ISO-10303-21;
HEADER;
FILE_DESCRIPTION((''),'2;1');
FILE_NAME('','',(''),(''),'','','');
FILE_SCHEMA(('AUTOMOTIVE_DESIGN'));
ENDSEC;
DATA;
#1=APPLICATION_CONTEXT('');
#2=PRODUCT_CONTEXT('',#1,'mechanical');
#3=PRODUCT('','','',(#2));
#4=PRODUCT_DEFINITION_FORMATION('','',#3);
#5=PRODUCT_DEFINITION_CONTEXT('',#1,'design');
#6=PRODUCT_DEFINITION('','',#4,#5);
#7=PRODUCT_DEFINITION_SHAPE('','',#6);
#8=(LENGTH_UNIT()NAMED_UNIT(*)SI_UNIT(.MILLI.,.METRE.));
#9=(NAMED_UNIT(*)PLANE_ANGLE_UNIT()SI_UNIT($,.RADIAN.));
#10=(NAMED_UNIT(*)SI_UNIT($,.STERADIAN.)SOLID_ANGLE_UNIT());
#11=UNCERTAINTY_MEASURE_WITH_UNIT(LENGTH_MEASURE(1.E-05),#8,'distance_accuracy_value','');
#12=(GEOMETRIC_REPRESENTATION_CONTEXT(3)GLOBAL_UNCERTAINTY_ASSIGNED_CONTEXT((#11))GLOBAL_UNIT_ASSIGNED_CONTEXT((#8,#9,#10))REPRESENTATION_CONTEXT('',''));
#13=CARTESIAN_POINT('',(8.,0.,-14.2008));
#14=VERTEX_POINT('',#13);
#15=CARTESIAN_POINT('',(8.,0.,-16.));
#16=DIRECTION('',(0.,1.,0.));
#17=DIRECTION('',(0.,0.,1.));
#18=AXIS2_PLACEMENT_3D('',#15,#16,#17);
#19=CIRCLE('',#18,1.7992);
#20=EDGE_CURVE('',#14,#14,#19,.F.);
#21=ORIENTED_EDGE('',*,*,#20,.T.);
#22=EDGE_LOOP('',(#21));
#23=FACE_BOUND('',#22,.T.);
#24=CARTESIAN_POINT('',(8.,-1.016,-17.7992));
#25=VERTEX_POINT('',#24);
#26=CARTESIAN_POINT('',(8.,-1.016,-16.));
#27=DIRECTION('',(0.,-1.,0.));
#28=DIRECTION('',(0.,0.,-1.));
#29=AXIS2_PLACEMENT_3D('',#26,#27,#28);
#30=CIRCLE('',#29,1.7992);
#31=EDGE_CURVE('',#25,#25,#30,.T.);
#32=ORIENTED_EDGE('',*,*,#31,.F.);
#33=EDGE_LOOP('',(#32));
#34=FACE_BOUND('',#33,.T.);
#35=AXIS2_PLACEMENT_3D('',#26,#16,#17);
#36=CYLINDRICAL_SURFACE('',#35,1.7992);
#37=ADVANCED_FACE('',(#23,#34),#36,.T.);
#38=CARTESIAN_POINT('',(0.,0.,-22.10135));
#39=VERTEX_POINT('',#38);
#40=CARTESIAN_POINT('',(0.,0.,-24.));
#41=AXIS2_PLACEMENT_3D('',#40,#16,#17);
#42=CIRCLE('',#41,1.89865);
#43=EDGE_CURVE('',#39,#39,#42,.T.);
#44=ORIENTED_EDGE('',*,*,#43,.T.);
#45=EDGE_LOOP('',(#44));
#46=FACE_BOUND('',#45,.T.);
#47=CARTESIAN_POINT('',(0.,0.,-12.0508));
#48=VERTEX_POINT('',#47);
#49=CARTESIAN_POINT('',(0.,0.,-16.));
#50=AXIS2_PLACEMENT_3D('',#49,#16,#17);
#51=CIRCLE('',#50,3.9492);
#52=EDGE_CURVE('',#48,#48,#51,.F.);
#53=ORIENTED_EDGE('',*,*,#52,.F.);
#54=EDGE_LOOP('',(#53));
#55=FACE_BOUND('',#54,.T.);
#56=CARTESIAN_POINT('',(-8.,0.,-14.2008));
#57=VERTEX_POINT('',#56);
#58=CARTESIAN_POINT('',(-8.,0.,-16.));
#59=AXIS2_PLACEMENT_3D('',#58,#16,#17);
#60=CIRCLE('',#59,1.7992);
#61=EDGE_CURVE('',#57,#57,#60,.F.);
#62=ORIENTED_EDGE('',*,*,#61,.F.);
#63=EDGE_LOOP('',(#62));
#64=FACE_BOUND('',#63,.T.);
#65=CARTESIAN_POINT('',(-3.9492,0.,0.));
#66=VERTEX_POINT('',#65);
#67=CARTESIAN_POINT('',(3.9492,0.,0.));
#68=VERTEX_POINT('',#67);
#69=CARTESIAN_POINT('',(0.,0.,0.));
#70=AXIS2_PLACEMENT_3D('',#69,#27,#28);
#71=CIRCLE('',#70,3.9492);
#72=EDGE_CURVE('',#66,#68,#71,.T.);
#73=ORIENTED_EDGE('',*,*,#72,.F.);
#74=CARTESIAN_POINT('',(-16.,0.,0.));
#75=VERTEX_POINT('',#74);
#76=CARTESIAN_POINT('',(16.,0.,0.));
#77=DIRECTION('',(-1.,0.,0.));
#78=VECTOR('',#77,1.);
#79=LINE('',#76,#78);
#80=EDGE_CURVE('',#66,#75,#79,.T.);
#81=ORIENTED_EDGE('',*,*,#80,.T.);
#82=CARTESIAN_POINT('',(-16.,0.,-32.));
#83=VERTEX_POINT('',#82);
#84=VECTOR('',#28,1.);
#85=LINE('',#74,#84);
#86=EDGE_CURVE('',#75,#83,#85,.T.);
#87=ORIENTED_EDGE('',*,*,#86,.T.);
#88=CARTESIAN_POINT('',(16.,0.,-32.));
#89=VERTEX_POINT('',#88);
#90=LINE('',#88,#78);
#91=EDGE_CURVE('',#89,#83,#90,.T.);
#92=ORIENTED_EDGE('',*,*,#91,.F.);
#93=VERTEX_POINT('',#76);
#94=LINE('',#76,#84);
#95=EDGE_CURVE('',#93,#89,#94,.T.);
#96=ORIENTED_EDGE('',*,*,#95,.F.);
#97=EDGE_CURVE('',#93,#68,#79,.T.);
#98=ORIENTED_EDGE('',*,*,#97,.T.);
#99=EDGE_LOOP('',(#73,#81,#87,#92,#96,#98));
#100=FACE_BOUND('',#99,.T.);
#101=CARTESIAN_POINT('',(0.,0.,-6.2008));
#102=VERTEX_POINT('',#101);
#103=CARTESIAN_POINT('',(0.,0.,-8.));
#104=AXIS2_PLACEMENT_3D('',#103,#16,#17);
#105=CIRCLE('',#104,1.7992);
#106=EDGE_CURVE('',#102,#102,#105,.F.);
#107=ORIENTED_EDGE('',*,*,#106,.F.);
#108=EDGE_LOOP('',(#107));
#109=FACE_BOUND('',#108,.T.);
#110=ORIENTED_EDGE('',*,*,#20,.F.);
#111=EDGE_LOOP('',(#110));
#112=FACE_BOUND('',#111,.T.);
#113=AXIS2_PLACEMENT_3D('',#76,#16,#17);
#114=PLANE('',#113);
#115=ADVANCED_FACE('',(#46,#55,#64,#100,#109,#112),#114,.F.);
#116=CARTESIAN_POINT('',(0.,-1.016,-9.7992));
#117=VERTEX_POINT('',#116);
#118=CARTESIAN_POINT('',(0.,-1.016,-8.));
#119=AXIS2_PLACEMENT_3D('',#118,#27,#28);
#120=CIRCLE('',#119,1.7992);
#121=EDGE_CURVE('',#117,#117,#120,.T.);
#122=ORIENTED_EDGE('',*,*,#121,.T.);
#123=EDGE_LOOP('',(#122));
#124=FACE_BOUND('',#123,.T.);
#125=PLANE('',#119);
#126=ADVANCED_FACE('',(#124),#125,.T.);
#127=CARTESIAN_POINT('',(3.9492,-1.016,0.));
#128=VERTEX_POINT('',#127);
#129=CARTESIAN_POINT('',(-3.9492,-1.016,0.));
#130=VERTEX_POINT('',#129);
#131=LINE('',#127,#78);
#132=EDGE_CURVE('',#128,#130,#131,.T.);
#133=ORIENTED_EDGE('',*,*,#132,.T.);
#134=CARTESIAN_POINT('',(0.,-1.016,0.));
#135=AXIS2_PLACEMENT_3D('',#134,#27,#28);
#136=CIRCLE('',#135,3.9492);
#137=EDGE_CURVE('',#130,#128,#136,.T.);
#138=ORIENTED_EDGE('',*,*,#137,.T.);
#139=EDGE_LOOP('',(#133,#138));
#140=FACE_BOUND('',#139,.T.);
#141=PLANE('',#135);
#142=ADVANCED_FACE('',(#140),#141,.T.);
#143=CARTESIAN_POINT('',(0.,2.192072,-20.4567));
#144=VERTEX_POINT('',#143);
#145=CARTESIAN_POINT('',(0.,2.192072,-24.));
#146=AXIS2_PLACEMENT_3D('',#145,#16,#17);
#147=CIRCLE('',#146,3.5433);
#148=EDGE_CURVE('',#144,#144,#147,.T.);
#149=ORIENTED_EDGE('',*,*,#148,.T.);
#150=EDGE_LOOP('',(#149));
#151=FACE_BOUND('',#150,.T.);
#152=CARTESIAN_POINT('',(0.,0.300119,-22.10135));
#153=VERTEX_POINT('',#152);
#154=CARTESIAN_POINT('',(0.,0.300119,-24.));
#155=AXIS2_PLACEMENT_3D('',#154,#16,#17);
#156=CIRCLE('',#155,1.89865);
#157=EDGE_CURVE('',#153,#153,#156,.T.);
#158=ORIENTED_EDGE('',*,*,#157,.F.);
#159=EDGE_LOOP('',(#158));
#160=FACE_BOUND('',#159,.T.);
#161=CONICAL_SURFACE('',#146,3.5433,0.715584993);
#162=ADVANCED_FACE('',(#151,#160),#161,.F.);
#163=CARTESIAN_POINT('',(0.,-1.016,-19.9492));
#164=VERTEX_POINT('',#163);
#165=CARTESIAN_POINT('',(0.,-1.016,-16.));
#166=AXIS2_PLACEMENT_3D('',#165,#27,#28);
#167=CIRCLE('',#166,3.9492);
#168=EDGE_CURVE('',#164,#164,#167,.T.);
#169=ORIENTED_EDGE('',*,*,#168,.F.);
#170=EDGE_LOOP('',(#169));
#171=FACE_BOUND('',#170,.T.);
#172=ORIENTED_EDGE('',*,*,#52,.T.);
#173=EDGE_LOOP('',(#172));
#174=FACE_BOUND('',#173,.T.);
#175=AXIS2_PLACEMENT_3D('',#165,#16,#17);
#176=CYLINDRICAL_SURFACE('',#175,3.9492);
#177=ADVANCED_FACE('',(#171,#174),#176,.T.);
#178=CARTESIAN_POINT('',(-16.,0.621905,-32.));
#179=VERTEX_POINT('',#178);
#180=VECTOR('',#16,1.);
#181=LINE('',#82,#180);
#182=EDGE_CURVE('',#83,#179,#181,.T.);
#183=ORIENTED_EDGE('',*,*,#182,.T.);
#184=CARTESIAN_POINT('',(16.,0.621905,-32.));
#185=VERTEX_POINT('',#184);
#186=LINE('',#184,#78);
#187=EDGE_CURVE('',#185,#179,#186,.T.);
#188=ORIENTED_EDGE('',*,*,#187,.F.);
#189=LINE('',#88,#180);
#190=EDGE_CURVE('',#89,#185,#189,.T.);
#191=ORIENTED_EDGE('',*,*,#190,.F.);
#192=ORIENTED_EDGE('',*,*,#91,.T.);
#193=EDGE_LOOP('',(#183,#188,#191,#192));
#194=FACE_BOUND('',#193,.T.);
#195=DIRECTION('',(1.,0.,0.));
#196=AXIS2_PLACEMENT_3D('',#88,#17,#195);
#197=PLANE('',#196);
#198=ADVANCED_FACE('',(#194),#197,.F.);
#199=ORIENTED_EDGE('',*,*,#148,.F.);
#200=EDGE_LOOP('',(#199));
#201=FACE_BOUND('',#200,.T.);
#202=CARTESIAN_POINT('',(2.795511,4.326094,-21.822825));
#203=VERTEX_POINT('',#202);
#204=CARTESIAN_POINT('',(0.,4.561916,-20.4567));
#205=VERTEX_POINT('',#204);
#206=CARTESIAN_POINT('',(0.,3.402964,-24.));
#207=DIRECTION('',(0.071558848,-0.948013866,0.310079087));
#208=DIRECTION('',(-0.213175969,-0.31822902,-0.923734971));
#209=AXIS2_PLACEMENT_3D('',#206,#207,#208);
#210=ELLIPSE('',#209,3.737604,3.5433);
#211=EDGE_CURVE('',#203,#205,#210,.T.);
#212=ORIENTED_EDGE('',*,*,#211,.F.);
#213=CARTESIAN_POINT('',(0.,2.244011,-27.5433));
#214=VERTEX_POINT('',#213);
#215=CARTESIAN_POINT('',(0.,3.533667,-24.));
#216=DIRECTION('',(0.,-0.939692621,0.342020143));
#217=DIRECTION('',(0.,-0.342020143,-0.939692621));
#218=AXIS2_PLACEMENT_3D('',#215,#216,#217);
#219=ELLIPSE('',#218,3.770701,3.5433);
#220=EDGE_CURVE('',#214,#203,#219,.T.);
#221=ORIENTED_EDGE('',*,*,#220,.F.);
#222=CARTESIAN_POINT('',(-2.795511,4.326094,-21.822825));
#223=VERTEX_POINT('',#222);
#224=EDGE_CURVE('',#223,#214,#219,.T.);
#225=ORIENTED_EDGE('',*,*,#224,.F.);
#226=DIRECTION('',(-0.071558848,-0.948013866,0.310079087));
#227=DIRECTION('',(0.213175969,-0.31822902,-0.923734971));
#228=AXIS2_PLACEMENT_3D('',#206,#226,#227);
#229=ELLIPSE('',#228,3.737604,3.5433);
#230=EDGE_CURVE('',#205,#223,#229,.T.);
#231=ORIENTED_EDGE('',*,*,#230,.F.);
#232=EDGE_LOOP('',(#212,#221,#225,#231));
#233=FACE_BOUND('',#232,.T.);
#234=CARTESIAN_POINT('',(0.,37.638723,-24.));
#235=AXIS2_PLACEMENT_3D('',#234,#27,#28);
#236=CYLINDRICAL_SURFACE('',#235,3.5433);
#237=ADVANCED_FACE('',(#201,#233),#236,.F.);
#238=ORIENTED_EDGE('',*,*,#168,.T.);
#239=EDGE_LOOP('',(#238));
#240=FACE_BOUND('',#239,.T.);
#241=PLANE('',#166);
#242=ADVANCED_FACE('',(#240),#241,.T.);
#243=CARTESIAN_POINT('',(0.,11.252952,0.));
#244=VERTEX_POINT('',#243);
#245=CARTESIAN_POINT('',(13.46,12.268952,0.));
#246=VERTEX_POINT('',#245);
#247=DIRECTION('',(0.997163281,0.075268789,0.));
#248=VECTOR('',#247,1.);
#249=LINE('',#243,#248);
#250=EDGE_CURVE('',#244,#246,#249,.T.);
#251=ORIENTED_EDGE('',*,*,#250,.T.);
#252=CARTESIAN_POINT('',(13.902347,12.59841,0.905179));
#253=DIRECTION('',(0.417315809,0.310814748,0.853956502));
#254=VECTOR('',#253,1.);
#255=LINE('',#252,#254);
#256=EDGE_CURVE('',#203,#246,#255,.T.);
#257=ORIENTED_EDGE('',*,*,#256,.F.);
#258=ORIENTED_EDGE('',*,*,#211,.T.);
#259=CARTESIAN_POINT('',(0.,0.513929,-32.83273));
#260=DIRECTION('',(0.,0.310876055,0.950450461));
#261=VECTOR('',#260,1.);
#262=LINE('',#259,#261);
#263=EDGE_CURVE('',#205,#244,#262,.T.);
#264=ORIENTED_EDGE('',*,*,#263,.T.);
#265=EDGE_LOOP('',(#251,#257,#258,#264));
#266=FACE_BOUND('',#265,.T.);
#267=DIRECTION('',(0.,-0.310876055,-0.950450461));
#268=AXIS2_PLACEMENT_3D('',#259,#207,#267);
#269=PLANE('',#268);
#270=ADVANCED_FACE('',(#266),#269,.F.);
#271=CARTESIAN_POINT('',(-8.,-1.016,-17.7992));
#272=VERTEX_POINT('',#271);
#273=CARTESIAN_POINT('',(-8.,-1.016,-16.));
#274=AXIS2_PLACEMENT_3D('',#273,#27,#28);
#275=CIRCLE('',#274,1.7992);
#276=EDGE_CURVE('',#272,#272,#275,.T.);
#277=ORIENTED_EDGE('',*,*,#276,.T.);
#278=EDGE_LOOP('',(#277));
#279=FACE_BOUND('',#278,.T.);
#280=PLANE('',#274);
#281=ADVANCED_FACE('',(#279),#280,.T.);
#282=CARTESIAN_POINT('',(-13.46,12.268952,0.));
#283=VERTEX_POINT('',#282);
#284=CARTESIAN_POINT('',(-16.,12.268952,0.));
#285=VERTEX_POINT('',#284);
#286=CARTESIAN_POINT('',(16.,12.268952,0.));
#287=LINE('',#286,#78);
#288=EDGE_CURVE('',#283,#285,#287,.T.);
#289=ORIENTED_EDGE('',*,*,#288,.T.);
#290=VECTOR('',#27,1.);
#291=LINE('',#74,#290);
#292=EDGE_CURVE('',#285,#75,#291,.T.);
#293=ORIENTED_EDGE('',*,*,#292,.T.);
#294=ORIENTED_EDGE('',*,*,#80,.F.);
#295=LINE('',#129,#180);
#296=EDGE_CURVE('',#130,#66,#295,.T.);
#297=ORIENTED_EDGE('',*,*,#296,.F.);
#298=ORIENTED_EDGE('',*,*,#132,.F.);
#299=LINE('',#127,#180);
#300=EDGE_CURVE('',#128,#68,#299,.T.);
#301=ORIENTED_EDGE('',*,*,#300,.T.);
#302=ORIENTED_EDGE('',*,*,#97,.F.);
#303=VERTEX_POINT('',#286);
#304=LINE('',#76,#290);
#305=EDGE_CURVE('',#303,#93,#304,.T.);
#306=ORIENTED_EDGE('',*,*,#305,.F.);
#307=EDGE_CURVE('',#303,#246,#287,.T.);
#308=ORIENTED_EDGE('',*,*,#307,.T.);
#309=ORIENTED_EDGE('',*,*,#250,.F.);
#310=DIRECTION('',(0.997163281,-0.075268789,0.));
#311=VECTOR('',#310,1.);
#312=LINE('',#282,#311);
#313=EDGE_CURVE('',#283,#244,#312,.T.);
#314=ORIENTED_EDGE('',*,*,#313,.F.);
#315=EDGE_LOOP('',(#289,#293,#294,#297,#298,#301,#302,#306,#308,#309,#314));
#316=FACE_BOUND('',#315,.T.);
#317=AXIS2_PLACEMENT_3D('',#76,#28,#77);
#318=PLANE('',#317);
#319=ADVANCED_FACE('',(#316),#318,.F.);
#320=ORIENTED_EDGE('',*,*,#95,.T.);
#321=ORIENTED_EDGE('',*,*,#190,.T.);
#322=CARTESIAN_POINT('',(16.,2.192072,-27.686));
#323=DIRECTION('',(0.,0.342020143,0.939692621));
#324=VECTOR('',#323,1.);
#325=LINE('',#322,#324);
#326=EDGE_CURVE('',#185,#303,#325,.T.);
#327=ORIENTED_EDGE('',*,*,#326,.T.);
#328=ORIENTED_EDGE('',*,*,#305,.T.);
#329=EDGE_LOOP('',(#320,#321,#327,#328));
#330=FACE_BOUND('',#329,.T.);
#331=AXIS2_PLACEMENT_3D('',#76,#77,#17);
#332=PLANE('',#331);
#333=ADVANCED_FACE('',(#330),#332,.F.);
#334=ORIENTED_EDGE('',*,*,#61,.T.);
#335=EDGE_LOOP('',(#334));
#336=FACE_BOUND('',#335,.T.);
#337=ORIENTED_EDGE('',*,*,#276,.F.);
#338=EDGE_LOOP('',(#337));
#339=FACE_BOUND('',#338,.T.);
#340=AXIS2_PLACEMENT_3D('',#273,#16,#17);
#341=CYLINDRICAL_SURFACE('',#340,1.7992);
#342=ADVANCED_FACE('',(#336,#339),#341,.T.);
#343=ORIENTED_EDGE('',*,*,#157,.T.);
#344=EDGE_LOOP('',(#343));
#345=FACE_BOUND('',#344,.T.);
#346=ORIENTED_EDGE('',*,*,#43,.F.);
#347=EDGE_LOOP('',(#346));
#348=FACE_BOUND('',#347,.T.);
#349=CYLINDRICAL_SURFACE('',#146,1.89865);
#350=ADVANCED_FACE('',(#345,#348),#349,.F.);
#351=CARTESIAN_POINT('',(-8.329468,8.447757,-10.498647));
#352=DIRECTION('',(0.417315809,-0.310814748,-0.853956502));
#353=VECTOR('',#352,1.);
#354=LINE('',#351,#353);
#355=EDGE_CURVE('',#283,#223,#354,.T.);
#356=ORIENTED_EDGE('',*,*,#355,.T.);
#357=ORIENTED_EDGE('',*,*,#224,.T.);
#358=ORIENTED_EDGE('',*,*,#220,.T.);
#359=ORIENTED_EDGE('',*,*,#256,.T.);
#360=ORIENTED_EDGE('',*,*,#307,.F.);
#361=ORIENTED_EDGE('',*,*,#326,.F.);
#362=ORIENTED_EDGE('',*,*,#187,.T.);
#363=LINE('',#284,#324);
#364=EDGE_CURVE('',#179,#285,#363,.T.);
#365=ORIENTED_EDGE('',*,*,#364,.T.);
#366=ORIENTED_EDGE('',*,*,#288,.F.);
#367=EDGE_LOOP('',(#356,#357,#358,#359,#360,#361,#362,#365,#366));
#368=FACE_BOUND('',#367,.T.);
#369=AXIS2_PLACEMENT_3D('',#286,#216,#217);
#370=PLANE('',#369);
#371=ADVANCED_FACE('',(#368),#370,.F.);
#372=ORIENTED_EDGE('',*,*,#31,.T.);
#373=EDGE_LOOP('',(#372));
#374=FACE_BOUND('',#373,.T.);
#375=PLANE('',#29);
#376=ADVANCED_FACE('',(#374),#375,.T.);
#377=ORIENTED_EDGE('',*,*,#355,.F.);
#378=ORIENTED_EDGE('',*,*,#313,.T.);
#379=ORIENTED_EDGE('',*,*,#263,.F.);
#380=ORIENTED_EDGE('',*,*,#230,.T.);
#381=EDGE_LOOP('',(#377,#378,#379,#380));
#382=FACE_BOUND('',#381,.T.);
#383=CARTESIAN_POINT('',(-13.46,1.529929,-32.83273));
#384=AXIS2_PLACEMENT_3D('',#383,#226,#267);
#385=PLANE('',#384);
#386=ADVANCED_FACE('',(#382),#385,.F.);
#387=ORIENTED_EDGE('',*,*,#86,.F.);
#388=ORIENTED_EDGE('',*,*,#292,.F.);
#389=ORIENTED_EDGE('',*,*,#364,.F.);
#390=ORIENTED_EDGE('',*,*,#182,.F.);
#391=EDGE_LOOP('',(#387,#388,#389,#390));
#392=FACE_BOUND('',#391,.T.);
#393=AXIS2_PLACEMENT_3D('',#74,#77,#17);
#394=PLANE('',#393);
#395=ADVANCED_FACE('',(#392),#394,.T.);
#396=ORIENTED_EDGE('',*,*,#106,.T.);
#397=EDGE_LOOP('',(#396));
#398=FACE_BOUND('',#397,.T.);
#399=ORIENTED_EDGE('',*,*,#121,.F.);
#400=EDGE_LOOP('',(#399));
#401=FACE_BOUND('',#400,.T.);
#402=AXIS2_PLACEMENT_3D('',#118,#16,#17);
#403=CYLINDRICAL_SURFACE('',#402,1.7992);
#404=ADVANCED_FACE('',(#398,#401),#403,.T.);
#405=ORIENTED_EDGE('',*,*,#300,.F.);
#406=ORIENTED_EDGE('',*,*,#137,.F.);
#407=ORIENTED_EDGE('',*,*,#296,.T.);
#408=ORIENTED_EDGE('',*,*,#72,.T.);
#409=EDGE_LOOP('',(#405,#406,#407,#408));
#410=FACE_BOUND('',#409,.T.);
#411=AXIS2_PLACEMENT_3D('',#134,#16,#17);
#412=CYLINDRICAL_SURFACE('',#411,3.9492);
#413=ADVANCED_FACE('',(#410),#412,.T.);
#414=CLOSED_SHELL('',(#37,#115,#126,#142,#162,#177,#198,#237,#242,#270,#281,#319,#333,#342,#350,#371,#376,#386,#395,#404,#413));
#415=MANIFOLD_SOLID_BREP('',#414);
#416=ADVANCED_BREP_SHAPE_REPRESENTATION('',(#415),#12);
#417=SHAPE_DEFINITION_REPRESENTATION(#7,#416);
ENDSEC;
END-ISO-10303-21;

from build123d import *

# Parameters (mm, degrees)
BOSS_EXTRUDE1_DEPTH = 16
BOSS_EXTRUDE2_REACH = 39.169
SKETCH6_W           = 32
SKETCH6_H           = 7.878
SKETCH6_R           = 3.5433
SKETCH7_R           = 1.7992
SKETCH7_R_2         = 3.9492
BOSS_EXTRUDE3_DEPTH = 1.016
CUT_EXTRUDE1_DEPTH  = 40.8462222


with BuildPart() as part:
    # Sketch1 → Boss-Extrude1 (new, symmetric)
    with BuildSketch(Plane(origin=(0, 0, 0), x_dir=(0, 0, -1), z_dir=(1, 0, 0))):
        Polygon((19.808, 5.059429759), (19.808, 2.192072254), (27.686, 2.192072254), (32, 0.621904663), (32, 0), (0, 0), (0, 12.26895216), align=None)
    extrude(amount=BOSS_EXTRUDE1_DEPTH, both=True)

    # Sketch5 → CSK for #6 Flat Head Machine Screw1 (revolve, cut)
    with BuildSketch(Plane(origin=(0, 2.192072254, -24), x_dir=(0, 0, 1), z_dir=(1, 0, 0))):
        Polygon((0, 0), (0, 2.192072254), (1.89865, 2.192072254), (1.89865, 1.891953401), (3.5433, 0), align=None)
    revolve(axis=Axis((0, 8.542072254, -24), (0, -1, 0)), mode=Mode.SUBTRACT)

    # Boss-Extrude2: up to this face of the body (flat: up to its plane)
    boss_extrude2_end = Plane(part.part.faces().sort_by_distance((0, 8.664190959, -9.904))[0])
    # Sketch6 → Boss-Extrude2 (add, up to the picked face)
    with BuildSketch(Plane(origin=(0, 2.192072254, 0), x_dir=(1, 0, 0), z_dir=(0, 1, 0)), mode=Mode.PRIVATE) as boss_extrude2_sk1:
        with Locations((0, 23.747)):
            Rectangle(SKETCH6_W, SKETCH6_H)
        with Locations((0, 24)):
            Circle(SKETCH6_R, mode=Mode.SUBTRACT)
    boss_extrude2_tool1 = split(extrude(boss_extrude2_sk1.sketch, amount=BOSS_EXTRUDE2_REACH, mode=Mode.PRIVATE), bisect_by=boss_extrude2_end, keep=Keep.BOTH, mode=Mode.PRIVATE)
    add(boss_extrude2_tool1.solids().sort_by(Axis((-15.670445, 2.192072, -23.747), (0, 1, 0)))[0])

    # Sketch7 → Boss-Extrude3 (add)
    with BuildSketch(Plane.XZ):
        with Locations((8, -16)):
            Circle(SKETCH7_R)
        with Locations((0, -16)):
            Circle(SKETCH7_R_2)
        with Locations((-8, -16)):
            Circle(SKETCH7_R)
        with Locations((0, -8)):
            Circle(SKETCH7_R)
        with BuildLine():
            Line((3.9492, 0), (-3.9492, 0))
            ThreePointArc((-3.9492, 0), (0, -3.9492), (3.9492, 0))
        make_face()
    extrude(amount=BOSS_EXTRUDE3_DEPTH)

    # Sketch9 → Cut-Extrude1 (cut, through all, along a direction that is not the sketch's normal)
    with BuildSketch(Plane.XY):
        Polygon((-13.46, 12.26895216), (0, 11.25295216), (13.46, 12.26895216), align=None)
    extrude(amount=-CUT_EXTRUDE1_DEPTH, dir=(0, 0.3108760554921047, 0.9504504606352032), mode=Mode.SUBTRACT)


solid = part.part
